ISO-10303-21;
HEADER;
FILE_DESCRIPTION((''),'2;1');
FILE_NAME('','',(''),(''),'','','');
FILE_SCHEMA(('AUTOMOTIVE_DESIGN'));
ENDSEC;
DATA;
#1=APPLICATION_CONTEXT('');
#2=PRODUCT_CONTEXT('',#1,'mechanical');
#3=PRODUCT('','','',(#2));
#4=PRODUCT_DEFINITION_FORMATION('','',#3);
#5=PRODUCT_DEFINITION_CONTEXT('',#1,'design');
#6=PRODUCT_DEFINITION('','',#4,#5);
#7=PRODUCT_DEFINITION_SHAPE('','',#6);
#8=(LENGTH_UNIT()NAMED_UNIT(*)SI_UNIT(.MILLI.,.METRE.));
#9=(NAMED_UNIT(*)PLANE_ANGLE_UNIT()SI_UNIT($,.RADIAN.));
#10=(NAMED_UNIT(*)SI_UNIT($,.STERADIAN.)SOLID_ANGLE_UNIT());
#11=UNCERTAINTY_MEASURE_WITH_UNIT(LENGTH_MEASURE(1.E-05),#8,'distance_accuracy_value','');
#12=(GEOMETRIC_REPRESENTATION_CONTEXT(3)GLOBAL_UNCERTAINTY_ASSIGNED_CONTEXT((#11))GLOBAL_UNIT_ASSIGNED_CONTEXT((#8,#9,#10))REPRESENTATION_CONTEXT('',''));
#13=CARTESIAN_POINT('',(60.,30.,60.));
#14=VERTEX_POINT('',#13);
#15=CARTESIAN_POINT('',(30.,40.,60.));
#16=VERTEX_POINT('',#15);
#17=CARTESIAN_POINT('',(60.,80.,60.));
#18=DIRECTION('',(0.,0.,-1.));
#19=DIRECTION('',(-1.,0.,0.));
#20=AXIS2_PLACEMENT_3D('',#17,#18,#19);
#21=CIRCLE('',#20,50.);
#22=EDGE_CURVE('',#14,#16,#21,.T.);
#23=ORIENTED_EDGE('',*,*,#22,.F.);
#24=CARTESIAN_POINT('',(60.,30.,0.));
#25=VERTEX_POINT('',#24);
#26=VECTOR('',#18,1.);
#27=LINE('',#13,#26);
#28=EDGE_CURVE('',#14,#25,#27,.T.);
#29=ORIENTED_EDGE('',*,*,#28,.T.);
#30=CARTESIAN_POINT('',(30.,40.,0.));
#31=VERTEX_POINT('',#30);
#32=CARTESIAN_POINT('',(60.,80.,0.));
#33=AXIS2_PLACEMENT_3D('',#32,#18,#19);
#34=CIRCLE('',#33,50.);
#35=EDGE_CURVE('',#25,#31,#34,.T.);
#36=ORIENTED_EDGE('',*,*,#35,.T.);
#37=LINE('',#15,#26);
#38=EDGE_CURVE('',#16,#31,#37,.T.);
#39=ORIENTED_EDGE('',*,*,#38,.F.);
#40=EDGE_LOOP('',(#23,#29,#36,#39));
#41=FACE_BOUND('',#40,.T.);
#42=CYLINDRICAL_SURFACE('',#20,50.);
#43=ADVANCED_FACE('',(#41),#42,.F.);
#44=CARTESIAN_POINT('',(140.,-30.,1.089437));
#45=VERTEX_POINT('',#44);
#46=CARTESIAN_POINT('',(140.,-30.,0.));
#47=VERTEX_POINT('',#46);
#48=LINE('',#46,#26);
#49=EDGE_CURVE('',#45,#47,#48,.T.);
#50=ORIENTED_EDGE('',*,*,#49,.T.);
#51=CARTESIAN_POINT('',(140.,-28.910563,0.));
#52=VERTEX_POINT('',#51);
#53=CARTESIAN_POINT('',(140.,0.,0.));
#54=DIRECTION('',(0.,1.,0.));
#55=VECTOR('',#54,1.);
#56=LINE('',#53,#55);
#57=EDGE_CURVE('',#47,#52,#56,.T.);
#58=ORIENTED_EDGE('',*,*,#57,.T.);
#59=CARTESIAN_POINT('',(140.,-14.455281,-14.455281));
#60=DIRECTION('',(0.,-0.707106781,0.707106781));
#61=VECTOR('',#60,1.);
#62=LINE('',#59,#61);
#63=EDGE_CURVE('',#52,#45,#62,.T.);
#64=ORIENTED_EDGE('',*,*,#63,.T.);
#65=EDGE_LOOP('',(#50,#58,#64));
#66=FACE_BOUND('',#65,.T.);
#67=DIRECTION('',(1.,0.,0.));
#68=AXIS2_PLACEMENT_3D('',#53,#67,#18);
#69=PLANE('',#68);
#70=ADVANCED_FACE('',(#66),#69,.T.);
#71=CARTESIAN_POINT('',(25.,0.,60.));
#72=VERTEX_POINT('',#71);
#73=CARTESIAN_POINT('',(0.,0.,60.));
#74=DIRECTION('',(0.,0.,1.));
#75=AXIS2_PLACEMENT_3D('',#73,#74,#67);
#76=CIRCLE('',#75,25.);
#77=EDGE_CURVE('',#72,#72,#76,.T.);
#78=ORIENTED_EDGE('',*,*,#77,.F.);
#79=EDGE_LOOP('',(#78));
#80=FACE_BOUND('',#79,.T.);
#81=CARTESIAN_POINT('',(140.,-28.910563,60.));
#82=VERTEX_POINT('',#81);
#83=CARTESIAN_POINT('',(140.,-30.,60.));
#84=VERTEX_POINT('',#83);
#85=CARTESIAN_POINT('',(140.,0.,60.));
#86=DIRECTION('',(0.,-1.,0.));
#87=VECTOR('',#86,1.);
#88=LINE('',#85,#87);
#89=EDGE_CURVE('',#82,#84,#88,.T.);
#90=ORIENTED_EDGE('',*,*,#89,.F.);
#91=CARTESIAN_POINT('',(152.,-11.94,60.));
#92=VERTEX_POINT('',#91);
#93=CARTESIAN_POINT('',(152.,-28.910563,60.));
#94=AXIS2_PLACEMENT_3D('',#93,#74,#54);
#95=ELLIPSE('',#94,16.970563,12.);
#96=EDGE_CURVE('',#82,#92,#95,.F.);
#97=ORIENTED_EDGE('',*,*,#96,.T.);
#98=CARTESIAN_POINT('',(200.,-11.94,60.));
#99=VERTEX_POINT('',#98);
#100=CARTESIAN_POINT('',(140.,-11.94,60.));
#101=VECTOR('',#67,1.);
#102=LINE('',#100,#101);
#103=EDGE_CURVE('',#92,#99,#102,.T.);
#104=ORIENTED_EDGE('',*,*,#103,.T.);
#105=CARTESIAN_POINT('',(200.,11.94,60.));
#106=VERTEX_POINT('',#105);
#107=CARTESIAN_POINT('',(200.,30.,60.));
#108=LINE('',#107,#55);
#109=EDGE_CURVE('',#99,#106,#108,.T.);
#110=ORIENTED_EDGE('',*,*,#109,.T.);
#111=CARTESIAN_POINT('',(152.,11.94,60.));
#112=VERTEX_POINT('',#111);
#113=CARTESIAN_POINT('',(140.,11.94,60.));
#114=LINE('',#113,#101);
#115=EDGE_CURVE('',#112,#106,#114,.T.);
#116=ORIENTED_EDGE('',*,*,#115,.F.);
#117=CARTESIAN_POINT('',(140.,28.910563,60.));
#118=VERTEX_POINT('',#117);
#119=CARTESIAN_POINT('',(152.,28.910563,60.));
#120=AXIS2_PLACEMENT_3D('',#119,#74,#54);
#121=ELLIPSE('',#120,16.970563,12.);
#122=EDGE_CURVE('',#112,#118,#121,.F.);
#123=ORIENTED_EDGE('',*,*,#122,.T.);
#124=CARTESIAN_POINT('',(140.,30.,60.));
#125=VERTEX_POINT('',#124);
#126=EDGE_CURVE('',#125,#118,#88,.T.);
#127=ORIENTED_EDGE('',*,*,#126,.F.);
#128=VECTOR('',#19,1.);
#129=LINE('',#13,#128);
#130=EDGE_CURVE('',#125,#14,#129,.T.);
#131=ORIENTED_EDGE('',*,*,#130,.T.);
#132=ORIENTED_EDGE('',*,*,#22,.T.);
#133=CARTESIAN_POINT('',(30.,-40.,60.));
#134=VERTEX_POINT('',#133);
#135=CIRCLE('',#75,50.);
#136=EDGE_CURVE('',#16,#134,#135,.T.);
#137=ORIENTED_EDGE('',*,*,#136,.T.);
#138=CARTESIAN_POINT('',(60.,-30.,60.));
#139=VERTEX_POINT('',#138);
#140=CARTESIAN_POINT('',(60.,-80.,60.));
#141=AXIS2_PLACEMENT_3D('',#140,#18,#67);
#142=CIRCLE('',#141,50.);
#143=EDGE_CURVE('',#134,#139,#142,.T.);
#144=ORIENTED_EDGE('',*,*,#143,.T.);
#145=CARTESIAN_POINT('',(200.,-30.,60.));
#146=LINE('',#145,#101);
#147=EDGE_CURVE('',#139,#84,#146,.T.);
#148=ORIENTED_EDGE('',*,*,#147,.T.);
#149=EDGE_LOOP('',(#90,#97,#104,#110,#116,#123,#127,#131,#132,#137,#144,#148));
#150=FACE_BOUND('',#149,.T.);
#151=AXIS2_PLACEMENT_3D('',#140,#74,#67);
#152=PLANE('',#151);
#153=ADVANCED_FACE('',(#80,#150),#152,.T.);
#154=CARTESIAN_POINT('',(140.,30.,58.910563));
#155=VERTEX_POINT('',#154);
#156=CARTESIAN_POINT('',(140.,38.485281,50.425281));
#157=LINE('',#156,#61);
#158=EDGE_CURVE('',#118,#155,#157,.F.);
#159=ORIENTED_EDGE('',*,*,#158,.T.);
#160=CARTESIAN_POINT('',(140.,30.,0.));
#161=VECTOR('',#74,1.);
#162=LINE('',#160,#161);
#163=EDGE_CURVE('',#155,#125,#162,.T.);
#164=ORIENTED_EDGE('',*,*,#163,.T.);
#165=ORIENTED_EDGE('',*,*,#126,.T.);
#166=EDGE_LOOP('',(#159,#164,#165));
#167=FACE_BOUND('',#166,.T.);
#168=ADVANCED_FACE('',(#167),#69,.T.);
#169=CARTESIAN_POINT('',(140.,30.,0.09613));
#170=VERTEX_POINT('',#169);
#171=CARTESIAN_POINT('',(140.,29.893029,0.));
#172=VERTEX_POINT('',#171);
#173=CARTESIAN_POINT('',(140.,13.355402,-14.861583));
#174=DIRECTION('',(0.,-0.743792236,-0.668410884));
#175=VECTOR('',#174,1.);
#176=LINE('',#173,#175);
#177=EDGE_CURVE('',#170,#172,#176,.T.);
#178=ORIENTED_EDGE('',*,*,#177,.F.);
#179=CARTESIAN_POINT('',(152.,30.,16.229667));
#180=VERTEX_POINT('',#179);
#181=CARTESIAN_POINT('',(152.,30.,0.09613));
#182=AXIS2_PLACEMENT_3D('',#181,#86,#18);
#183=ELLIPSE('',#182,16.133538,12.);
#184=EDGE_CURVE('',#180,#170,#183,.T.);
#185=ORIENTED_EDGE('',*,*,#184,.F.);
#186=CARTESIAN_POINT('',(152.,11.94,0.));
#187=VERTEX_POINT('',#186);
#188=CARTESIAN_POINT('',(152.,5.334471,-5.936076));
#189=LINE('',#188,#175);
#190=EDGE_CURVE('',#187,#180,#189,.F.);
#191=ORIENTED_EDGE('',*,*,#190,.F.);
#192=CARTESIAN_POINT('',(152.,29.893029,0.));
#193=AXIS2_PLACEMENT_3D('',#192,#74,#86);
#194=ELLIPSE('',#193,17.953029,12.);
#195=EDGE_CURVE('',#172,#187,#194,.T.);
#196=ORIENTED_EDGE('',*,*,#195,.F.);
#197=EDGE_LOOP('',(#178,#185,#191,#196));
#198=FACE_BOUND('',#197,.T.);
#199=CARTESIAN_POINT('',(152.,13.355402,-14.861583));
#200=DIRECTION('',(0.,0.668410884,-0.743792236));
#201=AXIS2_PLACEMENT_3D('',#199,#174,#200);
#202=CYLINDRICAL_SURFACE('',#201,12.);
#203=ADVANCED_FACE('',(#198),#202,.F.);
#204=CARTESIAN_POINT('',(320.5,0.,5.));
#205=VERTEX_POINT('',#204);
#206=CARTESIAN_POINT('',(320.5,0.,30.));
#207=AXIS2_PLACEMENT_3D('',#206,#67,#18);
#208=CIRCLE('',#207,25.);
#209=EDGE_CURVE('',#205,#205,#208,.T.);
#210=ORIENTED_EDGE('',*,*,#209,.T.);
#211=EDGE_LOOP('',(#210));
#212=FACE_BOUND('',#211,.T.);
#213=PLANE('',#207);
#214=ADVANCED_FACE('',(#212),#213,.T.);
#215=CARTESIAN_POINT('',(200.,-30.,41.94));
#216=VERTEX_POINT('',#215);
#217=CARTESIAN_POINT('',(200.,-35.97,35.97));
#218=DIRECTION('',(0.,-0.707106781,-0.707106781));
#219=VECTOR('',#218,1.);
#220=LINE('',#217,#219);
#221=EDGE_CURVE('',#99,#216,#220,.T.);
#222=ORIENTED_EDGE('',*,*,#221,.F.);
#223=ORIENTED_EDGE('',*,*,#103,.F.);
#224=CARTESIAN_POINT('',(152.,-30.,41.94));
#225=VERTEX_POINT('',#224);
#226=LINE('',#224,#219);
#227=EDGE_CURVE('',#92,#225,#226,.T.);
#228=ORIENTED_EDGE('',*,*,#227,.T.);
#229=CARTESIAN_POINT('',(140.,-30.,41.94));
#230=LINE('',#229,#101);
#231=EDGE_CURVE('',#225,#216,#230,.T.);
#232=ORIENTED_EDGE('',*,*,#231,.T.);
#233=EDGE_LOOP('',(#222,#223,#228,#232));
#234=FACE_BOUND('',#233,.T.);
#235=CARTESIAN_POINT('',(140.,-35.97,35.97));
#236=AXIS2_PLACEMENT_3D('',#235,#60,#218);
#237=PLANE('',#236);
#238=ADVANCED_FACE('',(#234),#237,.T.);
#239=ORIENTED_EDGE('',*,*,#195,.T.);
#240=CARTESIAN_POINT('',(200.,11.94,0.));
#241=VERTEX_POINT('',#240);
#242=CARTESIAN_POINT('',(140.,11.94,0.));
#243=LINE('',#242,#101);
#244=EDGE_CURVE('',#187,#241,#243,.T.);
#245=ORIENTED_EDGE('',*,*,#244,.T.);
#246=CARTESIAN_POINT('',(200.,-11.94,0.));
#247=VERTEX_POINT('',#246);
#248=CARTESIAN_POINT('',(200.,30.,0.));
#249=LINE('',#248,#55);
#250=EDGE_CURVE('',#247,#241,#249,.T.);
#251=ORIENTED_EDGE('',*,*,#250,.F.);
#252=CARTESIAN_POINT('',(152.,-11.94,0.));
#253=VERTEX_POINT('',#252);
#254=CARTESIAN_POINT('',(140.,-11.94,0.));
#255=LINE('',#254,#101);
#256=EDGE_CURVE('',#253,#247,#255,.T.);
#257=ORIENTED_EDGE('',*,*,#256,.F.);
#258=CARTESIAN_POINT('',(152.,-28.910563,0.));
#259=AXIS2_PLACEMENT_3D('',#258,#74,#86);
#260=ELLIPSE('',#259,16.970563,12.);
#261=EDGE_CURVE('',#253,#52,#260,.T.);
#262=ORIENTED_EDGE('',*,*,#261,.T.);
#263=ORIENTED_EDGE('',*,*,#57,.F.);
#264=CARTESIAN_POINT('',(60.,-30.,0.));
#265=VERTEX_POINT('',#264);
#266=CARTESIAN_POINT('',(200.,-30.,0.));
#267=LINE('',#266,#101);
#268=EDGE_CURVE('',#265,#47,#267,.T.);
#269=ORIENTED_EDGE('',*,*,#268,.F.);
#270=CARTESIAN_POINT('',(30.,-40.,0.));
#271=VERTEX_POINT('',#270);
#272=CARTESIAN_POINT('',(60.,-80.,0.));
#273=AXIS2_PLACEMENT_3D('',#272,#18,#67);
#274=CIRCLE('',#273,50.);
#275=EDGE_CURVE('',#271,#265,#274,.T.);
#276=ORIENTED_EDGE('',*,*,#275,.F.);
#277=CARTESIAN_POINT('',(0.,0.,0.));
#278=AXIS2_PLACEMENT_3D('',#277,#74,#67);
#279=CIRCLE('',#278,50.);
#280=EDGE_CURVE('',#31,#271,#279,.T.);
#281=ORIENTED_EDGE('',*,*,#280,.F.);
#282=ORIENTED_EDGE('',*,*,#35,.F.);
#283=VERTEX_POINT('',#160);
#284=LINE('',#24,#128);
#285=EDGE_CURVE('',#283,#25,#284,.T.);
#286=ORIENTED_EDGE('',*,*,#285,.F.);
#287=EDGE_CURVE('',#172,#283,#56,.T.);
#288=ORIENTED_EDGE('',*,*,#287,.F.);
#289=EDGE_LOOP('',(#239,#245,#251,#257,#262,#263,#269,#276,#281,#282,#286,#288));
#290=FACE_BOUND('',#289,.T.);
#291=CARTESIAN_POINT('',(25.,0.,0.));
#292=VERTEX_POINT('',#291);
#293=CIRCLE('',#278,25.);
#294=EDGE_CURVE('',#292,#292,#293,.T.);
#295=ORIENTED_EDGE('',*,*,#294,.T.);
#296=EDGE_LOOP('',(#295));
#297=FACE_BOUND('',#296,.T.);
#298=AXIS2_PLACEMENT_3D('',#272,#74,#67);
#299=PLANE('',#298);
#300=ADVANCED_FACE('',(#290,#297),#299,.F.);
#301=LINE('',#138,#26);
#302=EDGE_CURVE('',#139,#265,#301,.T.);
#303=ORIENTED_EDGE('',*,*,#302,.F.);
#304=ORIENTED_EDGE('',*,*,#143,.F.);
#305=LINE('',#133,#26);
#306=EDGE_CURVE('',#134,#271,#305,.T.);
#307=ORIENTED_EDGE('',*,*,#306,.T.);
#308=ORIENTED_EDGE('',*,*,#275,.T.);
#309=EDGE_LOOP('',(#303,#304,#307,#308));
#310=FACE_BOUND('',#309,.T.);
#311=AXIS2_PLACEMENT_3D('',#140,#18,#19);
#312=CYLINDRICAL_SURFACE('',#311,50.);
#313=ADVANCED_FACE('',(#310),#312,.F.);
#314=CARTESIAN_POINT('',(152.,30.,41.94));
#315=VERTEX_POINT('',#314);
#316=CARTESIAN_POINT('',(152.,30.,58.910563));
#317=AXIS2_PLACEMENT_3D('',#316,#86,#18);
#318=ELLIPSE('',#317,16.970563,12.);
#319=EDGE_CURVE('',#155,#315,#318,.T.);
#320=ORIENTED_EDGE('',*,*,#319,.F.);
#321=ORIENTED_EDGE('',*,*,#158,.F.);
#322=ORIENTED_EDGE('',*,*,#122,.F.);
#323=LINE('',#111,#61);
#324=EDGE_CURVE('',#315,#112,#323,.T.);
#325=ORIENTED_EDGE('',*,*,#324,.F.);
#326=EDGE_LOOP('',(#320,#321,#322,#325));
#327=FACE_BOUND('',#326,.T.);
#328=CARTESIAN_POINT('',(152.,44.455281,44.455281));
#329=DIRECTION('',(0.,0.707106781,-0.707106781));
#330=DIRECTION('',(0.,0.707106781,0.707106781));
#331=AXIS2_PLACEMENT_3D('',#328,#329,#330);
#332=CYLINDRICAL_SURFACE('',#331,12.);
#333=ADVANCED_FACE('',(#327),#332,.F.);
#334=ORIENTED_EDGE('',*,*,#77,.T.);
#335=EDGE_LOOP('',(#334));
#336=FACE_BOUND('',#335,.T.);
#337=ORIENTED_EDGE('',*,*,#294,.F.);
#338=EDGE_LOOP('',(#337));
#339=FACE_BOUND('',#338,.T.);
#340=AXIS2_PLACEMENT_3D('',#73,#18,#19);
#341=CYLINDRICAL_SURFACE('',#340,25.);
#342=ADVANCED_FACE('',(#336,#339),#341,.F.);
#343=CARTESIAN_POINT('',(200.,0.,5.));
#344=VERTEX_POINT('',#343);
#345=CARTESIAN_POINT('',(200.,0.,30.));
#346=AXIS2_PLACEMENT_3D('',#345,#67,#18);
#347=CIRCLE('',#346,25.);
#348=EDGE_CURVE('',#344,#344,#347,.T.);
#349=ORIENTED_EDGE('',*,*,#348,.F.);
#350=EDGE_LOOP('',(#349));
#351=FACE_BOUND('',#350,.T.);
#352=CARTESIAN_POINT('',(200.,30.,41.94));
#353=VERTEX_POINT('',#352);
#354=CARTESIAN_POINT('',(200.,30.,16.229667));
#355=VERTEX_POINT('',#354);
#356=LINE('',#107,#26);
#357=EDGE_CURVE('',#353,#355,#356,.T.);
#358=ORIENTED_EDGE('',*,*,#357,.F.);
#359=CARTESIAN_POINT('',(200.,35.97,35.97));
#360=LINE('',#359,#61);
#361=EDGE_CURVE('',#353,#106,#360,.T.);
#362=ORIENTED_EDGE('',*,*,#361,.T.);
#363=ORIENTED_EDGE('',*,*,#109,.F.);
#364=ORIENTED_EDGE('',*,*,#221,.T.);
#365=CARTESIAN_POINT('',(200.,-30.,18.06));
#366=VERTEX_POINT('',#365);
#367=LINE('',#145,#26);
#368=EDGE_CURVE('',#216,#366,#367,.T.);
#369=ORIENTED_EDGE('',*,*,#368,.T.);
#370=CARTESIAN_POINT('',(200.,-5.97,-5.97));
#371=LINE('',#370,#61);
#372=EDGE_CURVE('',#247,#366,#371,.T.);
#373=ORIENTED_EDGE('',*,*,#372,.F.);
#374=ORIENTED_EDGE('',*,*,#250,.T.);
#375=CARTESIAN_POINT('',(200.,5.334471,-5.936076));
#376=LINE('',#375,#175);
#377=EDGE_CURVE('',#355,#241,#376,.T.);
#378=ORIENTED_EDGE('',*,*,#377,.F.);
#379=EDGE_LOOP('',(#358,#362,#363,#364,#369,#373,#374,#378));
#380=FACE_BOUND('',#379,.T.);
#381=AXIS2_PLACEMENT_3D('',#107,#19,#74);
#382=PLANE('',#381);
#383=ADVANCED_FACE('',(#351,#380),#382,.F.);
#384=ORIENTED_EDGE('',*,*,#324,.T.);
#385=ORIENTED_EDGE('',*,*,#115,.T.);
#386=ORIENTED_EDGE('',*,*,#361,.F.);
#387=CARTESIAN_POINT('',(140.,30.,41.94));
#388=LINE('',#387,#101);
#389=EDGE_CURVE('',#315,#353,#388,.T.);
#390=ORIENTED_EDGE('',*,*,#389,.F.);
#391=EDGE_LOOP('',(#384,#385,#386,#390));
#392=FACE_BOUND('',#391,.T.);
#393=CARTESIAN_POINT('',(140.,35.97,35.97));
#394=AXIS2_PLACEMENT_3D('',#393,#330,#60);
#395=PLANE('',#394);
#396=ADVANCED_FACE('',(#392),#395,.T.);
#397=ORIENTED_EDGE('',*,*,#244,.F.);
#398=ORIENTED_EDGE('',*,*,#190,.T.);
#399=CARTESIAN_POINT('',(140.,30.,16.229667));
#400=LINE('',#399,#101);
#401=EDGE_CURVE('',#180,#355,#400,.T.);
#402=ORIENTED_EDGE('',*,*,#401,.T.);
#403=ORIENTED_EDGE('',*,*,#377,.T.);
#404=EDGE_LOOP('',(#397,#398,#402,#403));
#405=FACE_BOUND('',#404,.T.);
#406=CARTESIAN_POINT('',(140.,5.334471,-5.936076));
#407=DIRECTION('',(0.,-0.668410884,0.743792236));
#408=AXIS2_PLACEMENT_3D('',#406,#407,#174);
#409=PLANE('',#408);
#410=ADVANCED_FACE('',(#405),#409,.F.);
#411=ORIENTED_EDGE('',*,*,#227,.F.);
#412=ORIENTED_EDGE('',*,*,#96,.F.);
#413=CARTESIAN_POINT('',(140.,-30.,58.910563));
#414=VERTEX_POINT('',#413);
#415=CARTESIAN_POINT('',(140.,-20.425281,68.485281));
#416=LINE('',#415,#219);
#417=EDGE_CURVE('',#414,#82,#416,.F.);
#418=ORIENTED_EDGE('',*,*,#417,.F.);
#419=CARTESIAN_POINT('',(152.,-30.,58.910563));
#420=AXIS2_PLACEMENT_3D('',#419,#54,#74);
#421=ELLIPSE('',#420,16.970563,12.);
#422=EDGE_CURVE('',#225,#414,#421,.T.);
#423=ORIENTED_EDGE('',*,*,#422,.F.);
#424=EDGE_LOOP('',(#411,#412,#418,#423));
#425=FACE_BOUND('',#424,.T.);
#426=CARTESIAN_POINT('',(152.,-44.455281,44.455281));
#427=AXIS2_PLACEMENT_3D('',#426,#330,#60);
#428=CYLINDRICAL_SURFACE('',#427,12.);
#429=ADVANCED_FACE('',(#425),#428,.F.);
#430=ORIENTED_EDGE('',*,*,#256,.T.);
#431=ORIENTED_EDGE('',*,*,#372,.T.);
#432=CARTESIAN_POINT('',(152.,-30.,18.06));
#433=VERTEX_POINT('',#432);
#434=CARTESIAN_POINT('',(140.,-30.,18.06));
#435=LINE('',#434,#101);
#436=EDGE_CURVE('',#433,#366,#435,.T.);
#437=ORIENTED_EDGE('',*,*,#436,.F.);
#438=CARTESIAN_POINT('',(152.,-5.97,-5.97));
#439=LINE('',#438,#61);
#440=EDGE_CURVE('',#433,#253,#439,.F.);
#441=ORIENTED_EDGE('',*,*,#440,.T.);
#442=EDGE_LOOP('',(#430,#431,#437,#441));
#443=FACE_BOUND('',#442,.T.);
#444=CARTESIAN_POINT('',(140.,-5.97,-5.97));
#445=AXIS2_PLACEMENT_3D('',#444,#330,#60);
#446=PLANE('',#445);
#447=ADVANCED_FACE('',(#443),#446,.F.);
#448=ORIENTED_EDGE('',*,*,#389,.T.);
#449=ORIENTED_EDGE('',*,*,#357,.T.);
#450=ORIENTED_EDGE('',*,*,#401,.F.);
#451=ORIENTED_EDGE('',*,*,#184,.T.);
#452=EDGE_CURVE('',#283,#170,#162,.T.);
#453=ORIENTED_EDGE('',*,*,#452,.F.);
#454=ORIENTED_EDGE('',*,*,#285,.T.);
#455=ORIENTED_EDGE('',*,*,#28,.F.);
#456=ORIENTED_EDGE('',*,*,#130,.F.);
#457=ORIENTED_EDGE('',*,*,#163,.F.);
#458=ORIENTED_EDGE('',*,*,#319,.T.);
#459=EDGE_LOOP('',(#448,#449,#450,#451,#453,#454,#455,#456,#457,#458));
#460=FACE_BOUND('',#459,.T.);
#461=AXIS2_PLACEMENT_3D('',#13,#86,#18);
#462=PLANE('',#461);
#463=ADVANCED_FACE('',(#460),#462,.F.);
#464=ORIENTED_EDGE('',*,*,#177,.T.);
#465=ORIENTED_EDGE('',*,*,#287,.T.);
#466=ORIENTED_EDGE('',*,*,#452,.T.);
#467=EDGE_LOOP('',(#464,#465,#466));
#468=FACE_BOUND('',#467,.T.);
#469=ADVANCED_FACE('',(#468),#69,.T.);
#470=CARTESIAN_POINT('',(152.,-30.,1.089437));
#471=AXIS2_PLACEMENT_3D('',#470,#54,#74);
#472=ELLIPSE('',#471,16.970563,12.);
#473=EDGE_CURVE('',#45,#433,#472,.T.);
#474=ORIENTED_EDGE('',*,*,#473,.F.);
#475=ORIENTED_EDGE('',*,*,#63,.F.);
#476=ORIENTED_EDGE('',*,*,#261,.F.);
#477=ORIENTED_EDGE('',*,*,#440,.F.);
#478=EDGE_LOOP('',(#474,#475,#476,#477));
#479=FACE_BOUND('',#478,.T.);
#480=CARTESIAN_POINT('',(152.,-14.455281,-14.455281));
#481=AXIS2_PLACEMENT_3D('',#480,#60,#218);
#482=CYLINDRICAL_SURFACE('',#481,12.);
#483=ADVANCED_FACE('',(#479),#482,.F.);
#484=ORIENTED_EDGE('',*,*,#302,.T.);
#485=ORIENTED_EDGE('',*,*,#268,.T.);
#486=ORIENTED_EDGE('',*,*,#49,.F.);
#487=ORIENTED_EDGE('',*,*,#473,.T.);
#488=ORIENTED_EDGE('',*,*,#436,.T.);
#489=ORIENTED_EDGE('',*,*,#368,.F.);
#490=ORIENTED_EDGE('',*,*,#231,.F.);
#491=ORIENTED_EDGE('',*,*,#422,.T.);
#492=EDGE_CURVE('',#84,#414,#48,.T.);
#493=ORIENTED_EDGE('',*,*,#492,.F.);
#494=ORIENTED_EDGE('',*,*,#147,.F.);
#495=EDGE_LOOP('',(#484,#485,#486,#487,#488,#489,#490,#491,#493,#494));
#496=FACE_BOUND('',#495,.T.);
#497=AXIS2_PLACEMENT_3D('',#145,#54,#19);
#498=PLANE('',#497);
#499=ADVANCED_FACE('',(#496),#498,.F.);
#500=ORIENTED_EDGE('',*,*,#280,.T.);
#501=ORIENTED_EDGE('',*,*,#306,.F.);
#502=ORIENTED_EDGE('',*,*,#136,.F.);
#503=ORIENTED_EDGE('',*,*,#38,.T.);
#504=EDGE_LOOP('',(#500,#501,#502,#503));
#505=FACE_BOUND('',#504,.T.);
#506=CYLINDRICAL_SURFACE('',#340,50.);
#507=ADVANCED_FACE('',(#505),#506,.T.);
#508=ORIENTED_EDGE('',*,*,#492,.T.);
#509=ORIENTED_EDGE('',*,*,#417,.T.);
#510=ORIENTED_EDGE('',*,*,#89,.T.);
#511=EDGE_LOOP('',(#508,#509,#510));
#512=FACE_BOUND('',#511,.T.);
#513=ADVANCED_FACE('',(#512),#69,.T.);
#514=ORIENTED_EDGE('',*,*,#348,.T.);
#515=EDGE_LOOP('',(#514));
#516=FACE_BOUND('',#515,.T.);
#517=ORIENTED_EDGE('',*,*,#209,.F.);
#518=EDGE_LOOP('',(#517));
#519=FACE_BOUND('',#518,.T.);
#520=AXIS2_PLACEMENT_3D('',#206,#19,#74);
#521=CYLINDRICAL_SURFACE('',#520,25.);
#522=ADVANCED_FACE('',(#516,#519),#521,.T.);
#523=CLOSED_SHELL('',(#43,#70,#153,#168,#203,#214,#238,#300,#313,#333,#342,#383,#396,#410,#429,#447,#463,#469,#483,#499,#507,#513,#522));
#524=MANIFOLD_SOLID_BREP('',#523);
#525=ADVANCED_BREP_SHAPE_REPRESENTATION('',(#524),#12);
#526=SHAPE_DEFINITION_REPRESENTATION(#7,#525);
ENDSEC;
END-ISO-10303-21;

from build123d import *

# Parameters (mm, degrees)
SKETCH1_R           = 25
BOSS_EXTRUDE1_DEPTH = 60
SKETCH2_R           = 25
BOSS_EXTRUDE2_DEPTH = 120.5
CUT_EXTRUDE5_DEPTH  = 60
FILLET1_R           = 12


with BuildPart() as part:
    # Sketch1 → Boss-Extrude1 (new body)
    with BuildSketch(Plane.XY):
        with BuildLine():
            Line((60, 30), (200, 30))
            Line((200, 30), (200, -30))
            Line((200, -30), (60, -30))
            ThreePointArc((60, -30), (44.188611699, -32.565835097), (30, -40))
            ThreePointArc((30, -40), (-50, 0), (30, 40))
            ThreePointArc((30, 40), (44.188611699, 32.565835097), (60, 30))
        make_face()
        Circle(SKETCH1_R, mode=Mode.SUBTRACT)
    extrude(amount=BOSS_EXTRUDE1_DEPTH)

    # Sketch2 → Boss-Extrude2 (add)
    with BuildSketch(Plane(origin=(200, 0, 0), x_dir=(0, 0, -1), z_dir=(1, 0, 0))):
        with Locations((-30, 0)):
            Circle(SKETCH2_R)
    extrude(amount=BOSS_EXTRUDE2_DEPTH)

    # Sketch8 → Cut-Extrude5 (cut)
    with BuildSketch(Plane(origin=(200, 0, 0), x_dir=(0, 0, -1), z_dir=(1, 0, 0))):
        Polygon((-60, 11.94), (-41.94, 30), (-60, 30), align=None)
        Polygon((0, 30), (-16.229667357, 30), (0, 11.94), align=None)
        Polygon((-41.94, -30), (-60, -11.94), (-60, -30), align=None)
        Polygon((0, -30), (0, -11.94), (-18.06, -30), align=None)
    extrude(amount=-CUT_EXTRUDE5_DEPTH, mode=Mode.SUBTRACT)

    # Fillet1
    fillet1_edges = [part.edges().sort_by_distance(p)[0] for p in [
        (140, -20.97, 50.97),
        (140, -20.97, 9.03),
        (140, 20.97, 8.114833678),
        (140, 20.97, 50.97),
    ]]
    fillet(fillet1_edges, radius=FILLET1_R)


solid = part.part
